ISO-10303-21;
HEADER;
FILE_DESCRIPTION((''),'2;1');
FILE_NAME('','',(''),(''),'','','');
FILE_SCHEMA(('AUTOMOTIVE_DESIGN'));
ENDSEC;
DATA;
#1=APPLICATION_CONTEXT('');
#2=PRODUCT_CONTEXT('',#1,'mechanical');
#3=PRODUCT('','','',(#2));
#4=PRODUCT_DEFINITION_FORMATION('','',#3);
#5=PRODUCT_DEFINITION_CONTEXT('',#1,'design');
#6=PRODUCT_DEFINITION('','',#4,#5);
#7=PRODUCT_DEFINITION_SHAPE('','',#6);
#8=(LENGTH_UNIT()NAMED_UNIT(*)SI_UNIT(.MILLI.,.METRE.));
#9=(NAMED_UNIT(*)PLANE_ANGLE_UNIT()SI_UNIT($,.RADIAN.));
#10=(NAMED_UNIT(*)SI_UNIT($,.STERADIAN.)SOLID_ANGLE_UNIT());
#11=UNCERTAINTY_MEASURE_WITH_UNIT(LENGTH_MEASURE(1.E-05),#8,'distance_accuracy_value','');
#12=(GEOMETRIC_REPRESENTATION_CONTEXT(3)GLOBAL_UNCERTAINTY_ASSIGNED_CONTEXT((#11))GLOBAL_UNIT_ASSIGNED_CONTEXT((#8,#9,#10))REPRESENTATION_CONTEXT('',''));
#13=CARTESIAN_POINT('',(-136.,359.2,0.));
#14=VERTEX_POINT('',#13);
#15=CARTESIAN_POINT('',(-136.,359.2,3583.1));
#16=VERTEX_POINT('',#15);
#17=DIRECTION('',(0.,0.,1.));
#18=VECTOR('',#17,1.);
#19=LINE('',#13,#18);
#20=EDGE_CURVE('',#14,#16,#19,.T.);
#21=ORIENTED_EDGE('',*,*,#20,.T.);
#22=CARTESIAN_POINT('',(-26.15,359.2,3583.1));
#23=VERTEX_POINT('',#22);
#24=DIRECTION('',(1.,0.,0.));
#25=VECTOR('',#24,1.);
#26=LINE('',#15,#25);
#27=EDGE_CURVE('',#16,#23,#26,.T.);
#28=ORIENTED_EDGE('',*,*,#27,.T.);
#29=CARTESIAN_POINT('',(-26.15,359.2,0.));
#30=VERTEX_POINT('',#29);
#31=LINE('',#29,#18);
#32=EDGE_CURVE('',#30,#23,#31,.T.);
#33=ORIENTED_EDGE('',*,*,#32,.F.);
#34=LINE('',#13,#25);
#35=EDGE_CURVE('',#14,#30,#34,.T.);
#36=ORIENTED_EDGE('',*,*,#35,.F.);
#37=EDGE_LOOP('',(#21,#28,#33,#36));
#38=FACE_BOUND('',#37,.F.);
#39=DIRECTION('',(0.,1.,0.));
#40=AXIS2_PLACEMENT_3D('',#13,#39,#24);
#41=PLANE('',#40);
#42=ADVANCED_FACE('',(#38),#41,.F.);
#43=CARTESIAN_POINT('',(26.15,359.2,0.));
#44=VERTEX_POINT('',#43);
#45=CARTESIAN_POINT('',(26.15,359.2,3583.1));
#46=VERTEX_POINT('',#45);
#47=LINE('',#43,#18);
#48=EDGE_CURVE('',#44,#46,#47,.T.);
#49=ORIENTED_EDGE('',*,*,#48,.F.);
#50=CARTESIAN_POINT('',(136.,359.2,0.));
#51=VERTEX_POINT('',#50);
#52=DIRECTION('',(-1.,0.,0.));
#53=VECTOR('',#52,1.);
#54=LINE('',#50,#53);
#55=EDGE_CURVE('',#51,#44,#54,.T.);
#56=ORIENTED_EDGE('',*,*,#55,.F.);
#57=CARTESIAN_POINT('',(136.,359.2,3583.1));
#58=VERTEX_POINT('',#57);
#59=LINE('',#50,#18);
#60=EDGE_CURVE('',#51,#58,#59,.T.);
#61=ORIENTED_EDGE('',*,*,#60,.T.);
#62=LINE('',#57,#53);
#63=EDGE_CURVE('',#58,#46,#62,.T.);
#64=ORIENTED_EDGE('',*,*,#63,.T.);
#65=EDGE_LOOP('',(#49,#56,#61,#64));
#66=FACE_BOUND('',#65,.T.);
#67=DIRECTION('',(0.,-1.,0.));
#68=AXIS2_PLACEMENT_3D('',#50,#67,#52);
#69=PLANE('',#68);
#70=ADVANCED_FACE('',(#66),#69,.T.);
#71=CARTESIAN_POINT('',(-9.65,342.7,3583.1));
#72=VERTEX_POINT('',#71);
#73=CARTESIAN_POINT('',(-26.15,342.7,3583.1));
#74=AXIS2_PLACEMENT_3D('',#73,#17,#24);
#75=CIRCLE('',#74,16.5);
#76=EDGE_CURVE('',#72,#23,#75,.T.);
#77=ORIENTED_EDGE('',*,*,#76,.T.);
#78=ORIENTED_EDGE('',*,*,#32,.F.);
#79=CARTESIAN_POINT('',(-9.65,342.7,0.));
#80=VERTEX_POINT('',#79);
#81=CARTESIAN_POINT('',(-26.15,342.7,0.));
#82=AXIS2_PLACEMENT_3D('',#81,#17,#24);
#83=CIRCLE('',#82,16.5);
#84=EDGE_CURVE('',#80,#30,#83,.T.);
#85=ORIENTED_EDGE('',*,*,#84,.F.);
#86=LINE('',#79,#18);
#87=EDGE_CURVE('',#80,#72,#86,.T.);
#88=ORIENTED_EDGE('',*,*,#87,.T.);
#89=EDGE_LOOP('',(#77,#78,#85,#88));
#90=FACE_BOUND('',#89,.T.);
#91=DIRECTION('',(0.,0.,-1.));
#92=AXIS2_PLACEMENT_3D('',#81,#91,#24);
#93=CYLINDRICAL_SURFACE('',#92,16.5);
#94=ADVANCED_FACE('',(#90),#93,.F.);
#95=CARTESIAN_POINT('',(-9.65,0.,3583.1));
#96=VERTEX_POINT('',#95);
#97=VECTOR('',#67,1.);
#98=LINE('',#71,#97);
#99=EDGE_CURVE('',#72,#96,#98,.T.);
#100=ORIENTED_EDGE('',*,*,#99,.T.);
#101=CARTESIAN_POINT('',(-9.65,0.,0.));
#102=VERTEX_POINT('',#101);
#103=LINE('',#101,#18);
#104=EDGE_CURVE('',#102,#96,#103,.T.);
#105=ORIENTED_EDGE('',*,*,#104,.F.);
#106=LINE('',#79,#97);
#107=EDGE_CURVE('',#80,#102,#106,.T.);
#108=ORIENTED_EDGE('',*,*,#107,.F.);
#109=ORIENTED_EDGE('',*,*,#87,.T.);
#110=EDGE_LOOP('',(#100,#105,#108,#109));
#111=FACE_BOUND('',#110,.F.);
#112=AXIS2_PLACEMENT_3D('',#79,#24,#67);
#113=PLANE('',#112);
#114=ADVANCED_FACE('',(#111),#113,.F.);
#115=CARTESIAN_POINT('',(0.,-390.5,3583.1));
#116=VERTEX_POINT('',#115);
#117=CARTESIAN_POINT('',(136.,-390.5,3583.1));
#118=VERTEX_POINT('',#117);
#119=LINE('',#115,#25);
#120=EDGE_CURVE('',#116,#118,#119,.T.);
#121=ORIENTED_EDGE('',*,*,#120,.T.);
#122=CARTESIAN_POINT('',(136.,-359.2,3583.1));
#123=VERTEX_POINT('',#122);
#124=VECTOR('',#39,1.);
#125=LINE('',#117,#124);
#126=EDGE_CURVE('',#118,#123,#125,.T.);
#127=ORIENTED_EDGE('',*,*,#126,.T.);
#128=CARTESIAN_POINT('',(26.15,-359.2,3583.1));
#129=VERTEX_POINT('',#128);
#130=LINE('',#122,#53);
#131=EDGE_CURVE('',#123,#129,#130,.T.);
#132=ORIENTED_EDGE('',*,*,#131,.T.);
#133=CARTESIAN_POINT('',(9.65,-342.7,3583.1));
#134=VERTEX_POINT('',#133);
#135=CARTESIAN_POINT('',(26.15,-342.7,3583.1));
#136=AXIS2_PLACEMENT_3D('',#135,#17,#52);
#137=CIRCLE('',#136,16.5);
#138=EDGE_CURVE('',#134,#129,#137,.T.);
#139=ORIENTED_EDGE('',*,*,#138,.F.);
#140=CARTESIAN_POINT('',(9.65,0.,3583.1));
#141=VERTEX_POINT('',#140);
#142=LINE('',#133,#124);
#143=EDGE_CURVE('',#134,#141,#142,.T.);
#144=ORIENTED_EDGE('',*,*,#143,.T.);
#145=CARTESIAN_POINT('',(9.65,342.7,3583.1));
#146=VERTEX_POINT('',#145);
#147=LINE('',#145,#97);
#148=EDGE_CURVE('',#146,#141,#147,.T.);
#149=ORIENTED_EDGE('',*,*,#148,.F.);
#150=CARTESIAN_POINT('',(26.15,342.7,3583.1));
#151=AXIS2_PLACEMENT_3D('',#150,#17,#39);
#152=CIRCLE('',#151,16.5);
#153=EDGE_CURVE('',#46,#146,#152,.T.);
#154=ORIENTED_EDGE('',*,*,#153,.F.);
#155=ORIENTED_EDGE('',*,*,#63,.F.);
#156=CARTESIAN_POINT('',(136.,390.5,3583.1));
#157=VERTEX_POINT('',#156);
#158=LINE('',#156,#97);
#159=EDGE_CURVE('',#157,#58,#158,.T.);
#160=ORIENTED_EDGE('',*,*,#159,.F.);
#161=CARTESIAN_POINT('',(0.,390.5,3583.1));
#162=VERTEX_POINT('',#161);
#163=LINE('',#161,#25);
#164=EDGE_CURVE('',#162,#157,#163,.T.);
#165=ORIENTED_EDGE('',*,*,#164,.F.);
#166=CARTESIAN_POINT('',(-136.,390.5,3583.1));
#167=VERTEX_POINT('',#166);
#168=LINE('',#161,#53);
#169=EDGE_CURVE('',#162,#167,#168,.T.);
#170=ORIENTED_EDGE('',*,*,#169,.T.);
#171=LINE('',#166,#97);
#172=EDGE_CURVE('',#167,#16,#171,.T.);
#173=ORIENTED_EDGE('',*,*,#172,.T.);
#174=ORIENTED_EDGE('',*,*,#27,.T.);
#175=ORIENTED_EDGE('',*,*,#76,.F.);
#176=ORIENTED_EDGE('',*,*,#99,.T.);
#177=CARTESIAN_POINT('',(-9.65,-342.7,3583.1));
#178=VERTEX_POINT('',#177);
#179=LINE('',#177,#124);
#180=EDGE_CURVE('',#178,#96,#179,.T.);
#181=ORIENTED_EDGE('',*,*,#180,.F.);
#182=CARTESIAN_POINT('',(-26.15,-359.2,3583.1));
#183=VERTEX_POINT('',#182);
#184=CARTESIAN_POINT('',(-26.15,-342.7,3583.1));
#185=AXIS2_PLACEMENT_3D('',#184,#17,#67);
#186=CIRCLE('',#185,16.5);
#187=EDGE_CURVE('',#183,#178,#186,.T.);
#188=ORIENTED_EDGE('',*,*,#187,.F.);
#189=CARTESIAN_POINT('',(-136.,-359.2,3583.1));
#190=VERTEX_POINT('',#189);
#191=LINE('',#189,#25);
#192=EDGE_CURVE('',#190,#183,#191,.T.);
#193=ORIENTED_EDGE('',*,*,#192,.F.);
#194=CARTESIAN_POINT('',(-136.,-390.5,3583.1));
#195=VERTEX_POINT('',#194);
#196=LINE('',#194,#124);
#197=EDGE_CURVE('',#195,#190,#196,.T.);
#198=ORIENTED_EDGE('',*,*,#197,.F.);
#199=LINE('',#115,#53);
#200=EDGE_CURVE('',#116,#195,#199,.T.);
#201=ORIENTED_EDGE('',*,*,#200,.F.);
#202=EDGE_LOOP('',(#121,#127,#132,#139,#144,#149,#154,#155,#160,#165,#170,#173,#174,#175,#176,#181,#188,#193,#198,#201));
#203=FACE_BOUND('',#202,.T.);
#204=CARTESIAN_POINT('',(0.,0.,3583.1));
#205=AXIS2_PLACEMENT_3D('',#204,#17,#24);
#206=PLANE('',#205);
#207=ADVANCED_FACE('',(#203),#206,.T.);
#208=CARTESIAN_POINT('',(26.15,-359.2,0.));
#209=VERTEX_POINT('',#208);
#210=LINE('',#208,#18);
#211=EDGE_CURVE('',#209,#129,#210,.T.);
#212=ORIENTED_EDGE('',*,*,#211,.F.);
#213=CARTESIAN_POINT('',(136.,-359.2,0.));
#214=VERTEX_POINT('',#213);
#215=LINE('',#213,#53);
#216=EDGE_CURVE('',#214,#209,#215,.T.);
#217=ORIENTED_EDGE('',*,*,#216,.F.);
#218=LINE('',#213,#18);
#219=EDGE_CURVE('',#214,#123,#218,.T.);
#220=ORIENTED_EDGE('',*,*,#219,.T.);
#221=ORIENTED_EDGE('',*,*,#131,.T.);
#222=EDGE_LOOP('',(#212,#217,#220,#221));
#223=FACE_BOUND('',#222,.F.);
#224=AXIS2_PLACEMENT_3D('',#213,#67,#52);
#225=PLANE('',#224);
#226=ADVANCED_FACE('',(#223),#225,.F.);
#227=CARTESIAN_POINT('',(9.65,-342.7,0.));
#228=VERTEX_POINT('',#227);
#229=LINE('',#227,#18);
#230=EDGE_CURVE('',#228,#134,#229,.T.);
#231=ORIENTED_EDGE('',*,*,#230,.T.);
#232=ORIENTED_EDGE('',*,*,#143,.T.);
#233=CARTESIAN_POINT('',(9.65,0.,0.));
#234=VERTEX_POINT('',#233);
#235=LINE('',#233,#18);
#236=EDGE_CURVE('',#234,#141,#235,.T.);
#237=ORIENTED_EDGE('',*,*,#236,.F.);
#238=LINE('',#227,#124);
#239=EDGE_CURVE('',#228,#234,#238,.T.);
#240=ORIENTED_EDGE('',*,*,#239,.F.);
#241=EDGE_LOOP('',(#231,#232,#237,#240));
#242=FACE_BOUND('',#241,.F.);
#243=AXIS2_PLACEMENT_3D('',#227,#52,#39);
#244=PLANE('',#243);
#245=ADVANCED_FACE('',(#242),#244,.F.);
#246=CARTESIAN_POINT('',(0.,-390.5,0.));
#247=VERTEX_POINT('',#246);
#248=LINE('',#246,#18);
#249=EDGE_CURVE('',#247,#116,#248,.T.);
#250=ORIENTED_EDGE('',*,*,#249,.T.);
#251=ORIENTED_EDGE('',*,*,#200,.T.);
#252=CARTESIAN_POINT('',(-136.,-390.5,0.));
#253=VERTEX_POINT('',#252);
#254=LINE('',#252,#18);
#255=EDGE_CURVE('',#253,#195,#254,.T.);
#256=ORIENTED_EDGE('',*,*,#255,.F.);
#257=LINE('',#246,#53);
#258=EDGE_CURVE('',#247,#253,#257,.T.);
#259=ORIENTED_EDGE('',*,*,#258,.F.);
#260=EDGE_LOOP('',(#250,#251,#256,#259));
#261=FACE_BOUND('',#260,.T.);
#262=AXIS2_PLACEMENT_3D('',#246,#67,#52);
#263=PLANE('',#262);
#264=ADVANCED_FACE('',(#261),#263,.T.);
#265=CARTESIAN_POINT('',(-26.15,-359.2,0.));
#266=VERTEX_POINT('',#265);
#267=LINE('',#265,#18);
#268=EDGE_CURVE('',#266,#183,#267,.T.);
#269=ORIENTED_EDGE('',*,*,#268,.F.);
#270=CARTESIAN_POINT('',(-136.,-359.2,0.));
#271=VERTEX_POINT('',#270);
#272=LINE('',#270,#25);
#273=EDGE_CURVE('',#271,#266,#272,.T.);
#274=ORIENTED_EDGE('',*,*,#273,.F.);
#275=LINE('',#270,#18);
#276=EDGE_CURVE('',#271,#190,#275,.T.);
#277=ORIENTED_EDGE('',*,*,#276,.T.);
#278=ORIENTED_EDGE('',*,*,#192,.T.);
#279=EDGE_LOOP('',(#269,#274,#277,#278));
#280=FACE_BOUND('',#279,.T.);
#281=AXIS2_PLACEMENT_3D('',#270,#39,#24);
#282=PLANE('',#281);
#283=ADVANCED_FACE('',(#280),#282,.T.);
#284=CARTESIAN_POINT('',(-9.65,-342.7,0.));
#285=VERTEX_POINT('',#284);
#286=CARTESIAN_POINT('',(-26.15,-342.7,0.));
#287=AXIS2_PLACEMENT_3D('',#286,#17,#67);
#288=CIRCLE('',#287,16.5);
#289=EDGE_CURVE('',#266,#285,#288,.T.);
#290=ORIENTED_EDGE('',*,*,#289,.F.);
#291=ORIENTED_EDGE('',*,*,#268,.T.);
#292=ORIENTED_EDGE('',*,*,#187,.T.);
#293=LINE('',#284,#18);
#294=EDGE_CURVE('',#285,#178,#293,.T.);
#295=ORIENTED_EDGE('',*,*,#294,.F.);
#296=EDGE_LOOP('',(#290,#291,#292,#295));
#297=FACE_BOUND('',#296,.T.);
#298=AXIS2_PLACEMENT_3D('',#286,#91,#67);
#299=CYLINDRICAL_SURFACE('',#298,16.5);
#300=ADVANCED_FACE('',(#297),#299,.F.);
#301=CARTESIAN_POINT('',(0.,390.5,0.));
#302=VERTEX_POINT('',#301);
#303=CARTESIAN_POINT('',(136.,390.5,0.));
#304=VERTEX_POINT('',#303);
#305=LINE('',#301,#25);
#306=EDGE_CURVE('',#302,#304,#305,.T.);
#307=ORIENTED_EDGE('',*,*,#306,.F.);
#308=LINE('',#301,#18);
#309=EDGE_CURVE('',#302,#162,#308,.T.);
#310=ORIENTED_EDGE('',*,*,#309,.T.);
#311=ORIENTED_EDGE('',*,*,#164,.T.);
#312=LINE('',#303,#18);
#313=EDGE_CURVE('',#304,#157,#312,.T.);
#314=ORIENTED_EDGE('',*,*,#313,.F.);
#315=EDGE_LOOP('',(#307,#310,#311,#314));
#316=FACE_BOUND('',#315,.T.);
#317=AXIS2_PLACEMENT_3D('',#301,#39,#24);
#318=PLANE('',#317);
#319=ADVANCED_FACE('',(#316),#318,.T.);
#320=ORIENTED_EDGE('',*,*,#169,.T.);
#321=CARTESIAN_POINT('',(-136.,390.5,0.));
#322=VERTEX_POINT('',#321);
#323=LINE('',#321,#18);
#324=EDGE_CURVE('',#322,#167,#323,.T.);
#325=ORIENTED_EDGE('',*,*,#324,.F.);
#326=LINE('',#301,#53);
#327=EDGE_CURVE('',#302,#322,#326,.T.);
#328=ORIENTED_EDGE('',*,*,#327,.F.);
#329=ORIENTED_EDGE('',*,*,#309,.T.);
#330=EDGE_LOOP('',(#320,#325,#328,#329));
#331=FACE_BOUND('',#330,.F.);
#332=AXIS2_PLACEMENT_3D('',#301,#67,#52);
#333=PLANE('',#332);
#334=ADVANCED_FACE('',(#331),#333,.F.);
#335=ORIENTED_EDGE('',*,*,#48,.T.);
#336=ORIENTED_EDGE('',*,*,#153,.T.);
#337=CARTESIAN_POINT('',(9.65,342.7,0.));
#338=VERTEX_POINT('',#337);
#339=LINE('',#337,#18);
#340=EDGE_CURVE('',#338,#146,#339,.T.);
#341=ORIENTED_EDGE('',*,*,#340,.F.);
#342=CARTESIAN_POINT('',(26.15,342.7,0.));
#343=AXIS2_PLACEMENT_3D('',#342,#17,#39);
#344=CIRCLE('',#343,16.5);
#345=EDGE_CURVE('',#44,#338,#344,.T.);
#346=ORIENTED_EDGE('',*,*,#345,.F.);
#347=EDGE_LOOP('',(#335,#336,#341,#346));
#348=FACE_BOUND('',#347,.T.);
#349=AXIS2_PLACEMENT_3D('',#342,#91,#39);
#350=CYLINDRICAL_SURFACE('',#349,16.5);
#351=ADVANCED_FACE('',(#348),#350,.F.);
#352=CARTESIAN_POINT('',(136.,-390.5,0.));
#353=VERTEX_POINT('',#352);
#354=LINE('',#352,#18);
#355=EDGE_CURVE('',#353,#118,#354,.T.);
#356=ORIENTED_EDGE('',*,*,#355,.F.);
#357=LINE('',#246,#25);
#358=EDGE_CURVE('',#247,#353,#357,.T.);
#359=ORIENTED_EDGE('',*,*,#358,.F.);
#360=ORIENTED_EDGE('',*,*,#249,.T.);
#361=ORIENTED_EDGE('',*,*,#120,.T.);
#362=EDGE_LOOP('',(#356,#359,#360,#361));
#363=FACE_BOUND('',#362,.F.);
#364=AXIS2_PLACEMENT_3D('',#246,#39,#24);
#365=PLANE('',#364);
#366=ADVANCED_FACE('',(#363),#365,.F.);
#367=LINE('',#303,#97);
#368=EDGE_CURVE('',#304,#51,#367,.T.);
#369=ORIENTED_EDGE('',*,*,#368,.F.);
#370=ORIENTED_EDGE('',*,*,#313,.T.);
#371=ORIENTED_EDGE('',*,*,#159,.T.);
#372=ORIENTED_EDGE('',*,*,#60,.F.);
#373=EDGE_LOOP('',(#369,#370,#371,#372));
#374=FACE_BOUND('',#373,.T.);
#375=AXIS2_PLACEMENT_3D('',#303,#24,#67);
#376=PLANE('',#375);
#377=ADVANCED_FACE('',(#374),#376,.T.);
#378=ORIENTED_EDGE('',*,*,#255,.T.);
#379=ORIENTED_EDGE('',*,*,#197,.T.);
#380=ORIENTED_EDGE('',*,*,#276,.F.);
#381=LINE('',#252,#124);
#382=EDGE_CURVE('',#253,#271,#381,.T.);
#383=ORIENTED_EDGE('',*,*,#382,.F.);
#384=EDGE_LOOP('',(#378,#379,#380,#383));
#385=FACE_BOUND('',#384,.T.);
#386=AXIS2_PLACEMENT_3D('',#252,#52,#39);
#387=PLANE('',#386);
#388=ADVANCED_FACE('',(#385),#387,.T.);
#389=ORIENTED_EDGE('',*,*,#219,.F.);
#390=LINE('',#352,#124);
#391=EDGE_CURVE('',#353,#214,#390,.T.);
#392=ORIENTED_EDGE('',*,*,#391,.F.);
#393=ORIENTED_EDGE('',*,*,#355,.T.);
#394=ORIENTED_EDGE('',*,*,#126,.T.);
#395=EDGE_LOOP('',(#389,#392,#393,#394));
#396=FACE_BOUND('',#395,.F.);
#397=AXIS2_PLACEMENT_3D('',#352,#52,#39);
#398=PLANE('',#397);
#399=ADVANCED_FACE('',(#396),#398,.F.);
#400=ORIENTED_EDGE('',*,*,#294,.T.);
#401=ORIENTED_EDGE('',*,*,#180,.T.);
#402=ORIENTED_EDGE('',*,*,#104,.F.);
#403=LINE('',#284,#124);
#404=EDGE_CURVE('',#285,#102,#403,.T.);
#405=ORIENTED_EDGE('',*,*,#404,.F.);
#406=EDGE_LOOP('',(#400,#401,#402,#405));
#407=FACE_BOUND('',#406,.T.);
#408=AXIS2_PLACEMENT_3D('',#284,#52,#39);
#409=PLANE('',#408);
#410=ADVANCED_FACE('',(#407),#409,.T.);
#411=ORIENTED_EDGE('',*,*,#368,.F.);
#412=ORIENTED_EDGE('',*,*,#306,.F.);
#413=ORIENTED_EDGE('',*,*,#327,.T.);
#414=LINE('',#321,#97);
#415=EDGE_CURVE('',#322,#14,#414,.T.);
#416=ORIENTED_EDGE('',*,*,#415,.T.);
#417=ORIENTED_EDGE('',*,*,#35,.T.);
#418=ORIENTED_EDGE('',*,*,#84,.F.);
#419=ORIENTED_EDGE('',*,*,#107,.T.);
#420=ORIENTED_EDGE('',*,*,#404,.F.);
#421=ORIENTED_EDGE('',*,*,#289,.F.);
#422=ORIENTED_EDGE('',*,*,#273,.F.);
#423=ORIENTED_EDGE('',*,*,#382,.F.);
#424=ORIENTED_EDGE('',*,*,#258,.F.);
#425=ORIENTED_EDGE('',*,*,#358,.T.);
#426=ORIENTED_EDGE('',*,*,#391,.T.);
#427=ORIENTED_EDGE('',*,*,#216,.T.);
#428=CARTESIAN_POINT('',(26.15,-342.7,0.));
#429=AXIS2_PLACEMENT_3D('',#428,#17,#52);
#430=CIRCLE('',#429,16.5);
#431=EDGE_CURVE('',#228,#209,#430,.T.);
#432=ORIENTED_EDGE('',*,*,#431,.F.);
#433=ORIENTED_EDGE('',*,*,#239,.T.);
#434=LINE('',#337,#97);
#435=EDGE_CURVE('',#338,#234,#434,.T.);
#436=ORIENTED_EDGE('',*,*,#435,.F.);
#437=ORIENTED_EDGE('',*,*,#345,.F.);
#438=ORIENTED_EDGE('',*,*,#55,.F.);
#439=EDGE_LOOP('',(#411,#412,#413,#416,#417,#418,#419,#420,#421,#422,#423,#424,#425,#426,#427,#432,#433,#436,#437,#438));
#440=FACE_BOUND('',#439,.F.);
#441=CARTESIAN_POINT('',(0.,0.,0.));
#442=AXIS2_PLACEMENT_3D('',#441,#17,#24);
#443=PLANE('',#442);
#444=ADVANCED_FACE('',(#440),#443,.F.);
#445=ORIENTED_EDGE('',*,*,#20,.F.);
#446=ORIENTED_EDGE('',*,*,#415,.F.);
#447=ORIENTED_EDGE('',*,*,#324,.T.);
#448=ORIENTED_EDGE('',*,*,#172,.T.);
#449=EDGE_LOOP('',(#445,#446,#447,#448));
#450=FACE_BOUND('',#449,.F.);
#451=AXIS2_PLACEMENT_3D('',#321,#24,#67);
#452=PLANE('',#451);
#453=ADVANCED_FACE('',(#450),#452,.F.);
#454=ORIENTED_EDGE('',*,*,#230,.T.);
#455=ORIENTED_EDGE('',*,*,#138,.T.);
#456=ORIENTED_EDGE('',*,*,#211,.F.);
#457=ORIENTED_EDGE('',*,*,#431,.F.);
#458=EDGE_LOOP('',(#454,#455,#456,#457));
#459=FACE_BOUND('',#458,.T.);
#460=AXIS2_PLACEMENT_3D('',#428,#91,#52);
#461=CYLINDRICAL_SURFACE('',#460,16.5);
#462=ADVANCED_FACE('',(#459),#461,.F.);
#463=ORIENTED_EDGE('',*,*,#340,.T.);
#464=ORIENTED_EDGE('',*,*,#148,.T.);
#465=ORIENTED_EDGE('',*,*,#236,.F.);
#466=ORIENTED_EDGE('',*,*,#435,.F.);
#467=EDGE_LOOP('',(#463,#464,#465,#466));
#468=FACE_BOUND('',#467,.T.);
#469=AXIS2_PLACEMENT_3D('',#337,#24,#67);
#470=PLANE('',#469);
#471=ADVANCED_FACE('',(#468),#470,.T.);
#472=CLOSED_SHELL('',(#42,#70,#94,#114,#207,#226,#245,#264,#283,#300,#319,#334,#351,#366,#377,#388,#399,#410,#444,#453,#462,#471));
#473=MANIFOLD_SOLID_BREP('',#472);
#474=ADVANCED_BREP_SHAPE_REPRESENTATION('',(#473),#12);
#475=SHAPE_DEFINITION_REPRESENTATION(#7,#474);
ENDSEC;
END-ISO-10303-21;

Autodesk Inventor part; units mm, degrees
ref_plane "YZ Plane" through (0, 0, 0) normal (1, 0, 0) x (0, 1, 0)
ref_plane "Start plane" through (0, 0, 0) normal (0, 0, 1) x (1, 0, 0)
ref_plane "End plane" through (0, 0, 3583.1) normal (0, 0, 1) x (1, 0, 0)
sketch "Sketch" plane through (0, 0, 0) normal (0, 0, 1) x (1, 0, 0)
  line L0 (-136, -390.5) -> (-136, -359.2)
  line L1 (-136, -359.2) -> (-26.15, -359.2)
  line L2 (-9.65, -342.7) -> (-9.65, 0)
  line L3 (-9.65, 0) -> (0, 0) construction
  line L4 (0, 0) -> (0, -390.5) construction
  line L5 (0, -390.5) -> (-136, -390.5)
  line L6 (-60, 0) -> (80, 0) construction
  line L7 (0, -60) -> (0, 80) construction
  line L8 (136, -390.5) -> (136, -359.2)
  line L9 (136, -359.2) -> (26.15, -359.2)
  line L10 (9.65, -342.7) -> (9.65, 0)
  line L11 (9.65, 0) -> (0, 0) construction
  line L12 (0, -390.5) -> (136, -390.5)
  line L13 (-136, 390.5) -> (-136, 359.2)
  line L14 (-136, 359.2) -> (-26.15, 359.2)
  line L15 (-9.65, 342.7) -> (-9.65, 0)
  line L16 (0, 390.5) -> (-136, 390.5)
  line L17 (136, 390.5) -> (136, 359.2)
  line L18 (136, 359.2) -> (26.15, 359.2)
  line L19 (0, 390.5) -> (136, 390.5)
  line L20 (9.65, 342.7) -> (9.65, 0)
  arc A0 (-9.65, 342.7) -> (-26.15, 359.2) centre (-26.15, 342.7) ccw
  arc A1 (26.15, 359.2) -> (9.65, 342.7) centre (26.15, 342.7) ccw
  arc A2 (9.65, -342.7) -> (26.15, -359.2) centre (26.15, -342.7) ccw
  arc A3 (-26.15, -359.2) -> (-9.65, -342.7) centre (-26.15, -342.7) ccw
  line L21 (0, 108) -> (0, -88) construction
  line L22 (-88, 0) -> (108, 0) construction
  point P0 (-9.65, -359.2)
  point P1 (9.65, -359.2)
  point P2 (-9.65, 359.2)
  point P3 (9.65, 359.2)
  dimension "d1" = 390.5
  dimension "d2" = 31.3
  dimension "d3" = 136
  dimension "d4" = 9.65
  dimension "d10" = 16.5
extrude "Body" add sketch "Sketch" along normal up to surface (3583.1 mm away) from surface at 0
sketch "Sketch4" plane through (0, 0, 0) normal (0, 0, 1) x (1, 0, 0)
  line L0 (0, 0) -> (10, 0)
ref_plane "Work Plane3" through (0, 0, 0) normal (0, -1, 0) x (1, 0, 0)
sketch "Sketch5" plane through (0, 0, 0) normal (0, -1, 0) x (1, 0, 0)
  line L0 (-2, 0) -> (12, 0) projected
  line L1 (-2, 3583.1) -> (12, 3583.1) projected
  dimension "d14" = 3583.1
equation "\"d1\" = 0.5 * G_H"
equation "\"d2\" = G_T1"
equation "\"d3\" = 0.5 * G_W"
equation "\"d4\" = 0.5 * G_T"
equation "\"d10\" = G_IR"
equation "\"d5\" = G_L"
equation "\"G_W\" = 272"
equation "\"G_H\" = 781"
equation "\"G_T\" = 19.3"
equation "\"G_T1\" = 31.3"
equation "\"G_IR\" = 16.5"
equation "\"G_L\" = d14"
equation "\"G_OFFSET_START\" = 0"
equation "\"G_OFFSET_END\" = 0"
equation "\"d12\" = G_OFFSET_END + B_L"
equation "\"B_L\" = 3583.1"
properties part number "AS 3679-1990 - 760 UB - 244 - 3583.1" material "Steel, Mild"
